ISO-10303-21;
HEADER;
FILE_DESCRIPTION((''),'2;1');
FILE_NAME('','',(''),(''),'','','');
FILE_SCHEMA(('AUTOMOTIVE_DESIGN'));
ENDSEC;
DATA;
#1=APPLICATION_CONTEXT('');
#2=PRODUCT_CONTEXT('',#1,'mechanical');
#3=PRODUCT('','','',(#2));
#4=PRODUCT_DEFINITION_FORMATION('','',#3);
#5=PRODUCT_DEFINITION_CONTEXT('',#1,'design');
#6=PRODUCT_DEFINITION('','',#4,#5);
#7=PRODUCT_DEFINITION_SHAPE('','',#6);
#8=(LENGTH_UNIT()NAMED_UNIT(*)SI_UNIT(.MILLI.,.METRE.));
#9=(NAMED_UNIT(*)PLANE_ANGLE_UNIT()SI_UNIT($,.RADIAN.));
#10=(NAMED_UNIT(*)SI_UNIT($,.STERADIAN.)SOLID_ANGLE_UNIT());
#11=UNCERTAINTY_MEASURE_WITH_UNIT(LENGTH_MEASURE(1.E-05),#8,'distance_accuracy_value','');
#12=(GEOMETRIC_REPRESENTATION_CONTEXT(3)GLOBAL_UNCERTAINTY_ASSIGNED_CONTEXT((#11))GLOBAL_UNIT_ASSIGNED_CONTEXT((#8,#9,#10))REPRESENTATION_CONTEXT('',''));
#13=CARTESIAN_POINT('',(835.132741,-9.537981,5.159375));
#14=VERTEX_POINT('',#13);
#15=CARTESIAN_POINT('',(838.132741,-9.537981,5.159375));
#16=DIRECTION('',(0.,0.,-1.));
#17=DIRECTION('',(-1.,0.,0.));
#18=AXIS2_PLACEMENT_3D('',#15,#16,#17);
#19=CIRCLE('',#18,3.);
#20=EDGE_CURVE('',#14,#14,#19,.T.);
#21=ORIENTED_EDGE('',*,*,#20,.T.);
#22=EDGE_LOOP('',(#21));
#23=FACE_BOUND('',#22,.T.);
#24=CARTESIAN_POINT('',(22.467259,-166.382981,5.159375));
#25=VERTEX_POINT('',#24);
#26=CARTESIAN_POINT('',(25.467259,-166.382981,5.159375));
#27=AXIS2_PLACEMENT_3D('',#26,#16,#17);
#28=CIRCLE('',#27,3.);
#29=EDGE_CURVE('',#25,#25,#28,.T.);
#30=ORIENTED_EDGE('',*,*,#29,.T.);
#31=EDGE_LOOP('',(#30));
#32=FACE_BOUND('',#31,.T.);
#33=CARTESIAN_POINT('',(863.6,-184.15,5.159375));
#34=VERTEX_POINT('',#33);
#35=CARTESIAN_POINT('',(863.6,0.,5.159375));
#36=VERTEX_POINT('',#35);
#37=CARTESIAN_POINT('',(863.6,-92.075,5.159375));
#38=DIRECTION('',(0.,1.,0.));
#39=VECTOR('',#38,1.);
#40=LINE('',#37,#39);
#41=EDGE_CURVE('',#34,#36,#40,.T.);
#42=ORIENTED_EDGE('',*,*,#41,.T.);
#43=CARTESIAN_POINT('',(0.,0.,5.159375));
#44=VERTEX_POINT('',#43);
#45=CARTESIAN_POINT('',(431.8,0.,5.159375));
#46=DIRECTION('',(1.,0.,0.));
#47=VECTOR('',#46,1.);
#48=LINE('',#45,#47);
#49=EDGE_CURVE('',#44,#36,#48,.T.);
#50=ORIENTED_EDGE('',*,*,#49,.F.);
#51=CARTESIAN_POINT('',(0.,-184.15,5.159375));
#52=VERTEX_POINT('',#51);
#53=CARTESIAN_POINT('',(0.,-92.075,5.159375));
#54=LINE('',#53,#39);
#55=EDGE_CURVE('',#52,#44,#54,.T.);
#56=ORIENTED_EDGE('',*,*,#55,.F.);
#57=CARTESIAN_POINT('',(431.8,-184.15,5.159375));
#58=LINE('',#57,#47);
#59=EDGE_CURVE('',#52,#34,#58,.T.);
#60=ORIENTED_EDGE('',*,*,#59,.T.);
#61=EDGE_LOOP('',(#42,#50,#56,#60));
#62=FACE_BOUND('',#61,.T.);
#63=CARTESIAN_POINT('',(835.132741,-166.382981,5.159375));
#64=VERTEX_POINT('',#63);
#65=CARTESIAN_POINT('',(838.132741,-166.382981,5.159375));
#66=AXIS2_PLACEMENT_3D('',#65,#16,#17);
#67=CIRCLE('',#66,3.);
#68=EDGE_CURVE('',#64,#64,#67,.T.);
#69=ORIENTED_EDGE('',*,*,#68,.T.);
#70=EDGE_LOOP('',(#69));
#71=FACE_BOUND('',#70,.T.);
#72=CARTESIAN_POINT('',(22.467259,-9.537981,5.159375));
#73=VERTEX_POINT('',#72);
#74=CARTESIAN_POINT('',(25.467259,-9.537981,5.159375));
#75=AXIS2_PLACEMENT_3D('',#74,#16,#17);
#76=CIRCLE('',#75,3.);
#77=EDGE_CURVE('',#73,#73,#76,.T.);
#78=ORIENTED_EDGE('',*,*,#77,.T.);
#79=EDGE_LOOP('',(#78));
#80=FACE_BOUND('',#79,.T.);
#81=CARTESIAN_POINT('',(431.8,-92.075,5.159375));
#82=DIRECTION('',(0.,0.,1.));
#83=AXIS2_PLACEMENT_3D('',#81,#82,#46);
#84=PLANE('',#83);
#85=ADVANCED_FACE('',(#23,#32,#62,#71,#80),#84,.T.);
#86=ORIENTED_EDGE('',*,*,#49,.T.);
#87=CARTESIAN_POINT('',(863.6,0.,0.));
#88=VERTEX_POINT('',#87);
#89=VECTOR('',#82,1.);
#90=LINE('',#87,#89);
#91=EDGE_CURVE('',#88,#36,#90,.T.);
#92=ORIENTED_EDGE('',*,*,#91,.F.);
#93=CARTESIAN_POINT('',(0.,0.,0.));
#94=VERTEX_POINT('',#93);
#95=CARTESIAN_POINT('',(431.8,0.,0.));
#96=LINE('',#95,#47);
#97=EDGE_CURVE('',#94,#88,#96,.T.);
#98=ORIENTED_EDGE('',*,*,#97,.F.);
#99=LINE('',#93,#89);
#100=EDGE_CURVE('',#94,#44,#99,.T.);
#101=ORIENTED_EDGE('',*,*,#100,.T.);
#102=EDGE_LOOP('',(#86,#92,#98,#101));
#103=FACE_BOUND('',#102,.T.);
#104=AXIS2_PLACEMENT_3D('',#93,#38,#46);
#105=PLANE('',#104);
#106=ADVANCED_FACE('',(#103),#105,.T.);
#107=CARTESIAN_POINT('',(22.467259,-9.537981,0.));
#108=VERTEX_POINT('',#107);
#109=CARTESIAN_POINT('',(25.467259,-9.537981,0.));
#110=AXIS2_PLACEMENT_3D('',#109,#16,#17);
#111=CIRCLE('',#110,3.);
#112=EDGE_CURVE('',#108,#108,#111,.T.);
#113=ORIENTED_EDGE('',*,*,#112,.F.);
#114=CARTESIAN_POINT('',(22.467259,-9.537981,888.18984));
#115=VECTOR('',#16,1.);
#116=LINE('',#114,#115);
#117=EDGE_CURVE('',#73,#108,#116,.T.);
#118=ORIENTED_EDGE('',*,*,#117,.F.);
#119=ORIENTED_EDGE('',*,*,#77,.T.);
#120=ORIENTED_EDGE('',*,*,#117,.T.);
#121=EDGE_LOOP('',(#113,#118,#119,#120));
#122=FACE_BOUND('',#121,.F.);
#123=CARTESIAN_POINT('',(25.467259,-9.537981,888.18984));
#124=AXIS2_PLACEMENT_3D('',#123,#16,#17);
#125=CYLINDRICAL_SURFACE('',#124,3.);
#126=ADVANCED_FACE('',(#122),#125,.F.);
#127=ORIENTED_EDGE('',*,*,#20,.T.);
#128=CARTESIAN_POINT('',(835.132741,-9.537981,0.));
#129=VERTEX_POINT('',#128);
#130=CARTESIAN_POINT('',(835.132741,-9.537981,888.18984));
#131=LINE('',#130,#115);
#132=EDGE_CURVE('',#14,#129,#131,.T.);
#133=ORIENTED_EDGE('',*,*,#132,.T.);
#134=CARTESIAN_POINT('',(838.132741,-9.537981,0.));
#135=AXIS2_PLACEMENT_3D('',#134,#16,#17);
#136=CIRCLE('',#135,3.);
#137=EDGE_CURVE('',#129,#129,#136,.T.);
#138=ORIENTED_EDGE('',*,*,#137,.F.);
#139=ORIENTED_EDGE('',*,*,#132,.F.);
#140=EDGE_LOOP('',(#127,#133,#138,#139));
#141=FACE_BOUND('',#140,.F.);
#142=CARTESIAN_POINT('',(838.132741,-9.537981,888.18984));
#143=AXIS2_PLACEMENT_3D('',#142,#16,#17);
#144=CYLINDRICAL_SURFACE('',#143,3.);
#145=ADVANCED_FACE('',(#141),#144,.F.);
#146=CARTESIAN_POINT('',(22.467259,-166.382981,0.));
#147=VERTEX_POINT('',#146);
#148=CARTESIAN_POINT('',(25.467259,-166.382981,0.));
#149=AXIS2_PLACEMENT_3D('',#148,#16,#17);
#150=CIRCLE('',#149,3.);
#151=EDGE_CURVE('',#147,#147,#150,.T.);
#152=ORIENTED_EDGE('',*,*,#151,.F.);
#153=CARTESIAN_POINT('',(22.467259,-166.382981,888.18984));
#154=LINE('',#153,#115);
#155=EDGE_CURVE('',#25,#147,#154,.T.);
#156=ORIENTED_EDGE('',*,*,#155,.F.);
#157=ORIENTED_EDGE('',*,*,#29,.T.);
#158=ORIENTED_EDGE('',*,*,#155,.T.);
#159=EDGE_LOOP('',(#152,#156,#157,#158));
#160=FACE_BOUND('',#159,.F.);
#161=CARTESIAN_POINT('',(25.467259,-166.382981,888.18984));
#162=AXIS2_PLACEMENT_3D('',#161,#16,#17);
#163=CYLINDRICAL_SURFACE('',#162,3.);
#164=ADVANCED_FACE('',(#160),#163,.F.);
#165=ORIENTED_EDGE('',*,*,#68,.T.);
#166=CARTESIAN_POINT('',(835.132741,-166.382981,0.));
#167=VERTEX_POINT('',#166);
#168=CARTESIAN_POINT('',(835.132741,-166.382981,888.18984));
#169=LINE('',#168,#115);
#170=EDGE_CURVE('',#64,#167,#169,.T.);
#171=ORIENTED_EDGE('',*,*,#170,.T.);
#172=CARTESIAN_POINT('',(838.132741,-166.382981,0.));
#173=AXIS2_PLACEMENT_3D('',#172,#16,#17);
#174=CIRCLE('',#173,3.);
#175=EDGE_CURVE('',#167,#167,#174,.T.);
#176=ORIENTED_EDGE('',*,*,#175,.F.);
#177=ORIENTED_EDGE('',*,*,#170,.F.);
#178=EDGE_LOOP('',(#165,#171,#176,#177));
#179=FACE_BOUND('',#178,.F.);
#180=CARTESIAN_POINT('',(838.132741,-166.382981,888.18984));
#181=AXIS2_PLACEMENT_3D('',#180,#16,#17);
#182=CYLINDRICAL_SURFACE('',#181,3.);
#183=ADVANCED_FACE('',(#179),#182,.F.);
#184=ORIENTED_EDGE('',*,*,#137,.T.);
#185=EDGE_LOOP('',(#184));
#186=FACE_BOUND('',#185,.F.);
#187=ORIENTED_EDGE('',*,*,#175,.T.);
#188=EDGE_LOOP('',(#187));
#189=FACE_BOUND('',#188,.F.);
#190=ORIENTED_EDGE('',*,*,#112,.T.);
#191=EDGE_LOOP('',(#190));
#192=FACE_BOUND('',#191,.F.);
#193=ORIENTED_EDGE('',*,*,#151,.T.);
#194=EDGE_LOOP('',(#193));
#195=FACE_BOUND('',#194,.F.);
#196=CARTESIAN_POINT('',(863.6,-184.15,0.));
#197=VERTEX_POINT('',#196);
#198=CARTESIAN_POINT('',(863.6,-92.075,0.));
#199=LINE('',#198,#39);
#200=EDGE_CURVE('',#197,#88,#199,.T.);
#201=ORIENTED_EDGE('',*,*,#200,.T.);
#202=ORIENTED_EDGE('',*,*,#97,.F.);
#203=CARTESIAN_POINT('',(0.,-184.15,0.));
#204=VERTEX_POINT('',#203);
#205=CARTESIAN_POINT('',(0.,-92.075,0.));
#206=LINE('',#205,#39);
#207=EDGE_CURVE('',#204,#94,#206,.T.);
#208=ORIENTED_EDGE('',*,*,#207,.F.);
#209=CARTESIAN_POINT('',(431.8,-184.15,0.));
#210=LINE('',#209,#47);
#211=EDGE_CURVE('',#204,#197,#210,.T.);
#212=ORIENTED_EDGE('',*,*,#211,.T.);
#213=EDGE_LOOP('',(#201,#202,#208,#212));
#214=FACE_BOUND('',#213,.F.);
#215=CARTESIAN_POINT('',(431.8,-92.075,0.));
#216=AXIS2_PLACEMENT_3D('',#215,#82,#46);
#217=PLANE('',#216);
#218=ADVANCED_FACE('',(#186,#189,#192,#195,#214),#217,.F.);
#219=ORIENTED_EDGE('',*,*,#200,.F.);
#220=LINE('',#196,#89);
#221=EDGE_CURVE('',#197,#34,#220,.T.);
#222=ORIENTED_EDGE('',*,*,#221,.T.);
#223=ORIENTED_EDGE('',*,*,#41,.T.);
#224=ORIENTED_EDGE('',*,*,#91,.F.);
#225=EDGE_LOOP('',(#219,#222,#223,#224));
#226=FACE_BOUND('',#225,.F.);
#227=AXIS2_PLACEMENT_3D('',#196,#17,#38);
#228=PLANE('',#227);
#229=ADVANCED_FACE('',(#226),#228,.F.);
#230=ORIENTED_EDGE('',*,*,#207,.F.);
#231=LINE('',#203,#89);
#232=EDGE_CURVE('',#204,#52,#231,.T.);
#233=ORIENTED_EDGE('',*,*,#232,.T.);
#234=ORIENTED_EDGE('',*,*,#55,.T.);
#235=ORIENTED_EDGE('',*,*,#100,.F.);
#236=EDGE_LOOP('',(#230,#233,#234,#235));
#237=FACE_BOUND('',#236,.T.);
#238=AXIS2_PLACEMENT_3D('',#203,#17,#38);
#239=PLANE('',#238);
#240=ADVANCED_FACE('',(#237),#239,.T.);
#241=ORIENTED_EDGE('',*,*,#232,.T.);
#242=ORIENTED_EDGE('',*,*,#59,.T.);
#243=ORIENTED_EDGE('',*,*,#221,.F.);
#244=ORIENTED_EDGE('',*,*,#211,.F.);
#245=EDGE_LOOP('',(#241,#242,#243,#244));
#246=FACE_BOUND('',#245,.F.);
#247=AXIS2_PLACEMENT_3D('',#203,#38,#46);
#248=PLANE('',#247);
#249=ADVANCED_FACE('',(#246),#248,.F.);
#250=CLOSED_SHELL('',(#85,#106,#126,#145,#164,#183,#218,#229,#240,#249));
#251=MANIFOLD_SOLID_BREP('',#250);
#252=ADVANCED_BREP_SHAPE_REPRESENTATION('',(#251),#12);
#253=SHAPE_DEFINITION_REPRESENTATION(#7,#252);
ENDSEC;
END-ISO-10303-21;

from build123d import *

# Parameters (mm, degrees)
F0_W     = 863.6
F0_H     = 184.15
F1_DEPTH = 5.159375
F3_D     = 6


with BuildPart() as f1:
    # F0 (on Top) → F1 (new body)
    with BuildSketch(Plane.XY):
        with Locations((431.8, -92.075)):
            Rectangle(F0_W, F0_H)
    extrude(amount=F1_DEPTH)

    # F3 (through all)
    with Locations(Plane.XY.offset(5.159375)):
        with Locations((25.467259, -9.537981), (25.467259, -166.382981), (838.132741, -166.382981), (838.132741, -9.537981)):
            Hole(F3_D / 2)


solid = f1.part
